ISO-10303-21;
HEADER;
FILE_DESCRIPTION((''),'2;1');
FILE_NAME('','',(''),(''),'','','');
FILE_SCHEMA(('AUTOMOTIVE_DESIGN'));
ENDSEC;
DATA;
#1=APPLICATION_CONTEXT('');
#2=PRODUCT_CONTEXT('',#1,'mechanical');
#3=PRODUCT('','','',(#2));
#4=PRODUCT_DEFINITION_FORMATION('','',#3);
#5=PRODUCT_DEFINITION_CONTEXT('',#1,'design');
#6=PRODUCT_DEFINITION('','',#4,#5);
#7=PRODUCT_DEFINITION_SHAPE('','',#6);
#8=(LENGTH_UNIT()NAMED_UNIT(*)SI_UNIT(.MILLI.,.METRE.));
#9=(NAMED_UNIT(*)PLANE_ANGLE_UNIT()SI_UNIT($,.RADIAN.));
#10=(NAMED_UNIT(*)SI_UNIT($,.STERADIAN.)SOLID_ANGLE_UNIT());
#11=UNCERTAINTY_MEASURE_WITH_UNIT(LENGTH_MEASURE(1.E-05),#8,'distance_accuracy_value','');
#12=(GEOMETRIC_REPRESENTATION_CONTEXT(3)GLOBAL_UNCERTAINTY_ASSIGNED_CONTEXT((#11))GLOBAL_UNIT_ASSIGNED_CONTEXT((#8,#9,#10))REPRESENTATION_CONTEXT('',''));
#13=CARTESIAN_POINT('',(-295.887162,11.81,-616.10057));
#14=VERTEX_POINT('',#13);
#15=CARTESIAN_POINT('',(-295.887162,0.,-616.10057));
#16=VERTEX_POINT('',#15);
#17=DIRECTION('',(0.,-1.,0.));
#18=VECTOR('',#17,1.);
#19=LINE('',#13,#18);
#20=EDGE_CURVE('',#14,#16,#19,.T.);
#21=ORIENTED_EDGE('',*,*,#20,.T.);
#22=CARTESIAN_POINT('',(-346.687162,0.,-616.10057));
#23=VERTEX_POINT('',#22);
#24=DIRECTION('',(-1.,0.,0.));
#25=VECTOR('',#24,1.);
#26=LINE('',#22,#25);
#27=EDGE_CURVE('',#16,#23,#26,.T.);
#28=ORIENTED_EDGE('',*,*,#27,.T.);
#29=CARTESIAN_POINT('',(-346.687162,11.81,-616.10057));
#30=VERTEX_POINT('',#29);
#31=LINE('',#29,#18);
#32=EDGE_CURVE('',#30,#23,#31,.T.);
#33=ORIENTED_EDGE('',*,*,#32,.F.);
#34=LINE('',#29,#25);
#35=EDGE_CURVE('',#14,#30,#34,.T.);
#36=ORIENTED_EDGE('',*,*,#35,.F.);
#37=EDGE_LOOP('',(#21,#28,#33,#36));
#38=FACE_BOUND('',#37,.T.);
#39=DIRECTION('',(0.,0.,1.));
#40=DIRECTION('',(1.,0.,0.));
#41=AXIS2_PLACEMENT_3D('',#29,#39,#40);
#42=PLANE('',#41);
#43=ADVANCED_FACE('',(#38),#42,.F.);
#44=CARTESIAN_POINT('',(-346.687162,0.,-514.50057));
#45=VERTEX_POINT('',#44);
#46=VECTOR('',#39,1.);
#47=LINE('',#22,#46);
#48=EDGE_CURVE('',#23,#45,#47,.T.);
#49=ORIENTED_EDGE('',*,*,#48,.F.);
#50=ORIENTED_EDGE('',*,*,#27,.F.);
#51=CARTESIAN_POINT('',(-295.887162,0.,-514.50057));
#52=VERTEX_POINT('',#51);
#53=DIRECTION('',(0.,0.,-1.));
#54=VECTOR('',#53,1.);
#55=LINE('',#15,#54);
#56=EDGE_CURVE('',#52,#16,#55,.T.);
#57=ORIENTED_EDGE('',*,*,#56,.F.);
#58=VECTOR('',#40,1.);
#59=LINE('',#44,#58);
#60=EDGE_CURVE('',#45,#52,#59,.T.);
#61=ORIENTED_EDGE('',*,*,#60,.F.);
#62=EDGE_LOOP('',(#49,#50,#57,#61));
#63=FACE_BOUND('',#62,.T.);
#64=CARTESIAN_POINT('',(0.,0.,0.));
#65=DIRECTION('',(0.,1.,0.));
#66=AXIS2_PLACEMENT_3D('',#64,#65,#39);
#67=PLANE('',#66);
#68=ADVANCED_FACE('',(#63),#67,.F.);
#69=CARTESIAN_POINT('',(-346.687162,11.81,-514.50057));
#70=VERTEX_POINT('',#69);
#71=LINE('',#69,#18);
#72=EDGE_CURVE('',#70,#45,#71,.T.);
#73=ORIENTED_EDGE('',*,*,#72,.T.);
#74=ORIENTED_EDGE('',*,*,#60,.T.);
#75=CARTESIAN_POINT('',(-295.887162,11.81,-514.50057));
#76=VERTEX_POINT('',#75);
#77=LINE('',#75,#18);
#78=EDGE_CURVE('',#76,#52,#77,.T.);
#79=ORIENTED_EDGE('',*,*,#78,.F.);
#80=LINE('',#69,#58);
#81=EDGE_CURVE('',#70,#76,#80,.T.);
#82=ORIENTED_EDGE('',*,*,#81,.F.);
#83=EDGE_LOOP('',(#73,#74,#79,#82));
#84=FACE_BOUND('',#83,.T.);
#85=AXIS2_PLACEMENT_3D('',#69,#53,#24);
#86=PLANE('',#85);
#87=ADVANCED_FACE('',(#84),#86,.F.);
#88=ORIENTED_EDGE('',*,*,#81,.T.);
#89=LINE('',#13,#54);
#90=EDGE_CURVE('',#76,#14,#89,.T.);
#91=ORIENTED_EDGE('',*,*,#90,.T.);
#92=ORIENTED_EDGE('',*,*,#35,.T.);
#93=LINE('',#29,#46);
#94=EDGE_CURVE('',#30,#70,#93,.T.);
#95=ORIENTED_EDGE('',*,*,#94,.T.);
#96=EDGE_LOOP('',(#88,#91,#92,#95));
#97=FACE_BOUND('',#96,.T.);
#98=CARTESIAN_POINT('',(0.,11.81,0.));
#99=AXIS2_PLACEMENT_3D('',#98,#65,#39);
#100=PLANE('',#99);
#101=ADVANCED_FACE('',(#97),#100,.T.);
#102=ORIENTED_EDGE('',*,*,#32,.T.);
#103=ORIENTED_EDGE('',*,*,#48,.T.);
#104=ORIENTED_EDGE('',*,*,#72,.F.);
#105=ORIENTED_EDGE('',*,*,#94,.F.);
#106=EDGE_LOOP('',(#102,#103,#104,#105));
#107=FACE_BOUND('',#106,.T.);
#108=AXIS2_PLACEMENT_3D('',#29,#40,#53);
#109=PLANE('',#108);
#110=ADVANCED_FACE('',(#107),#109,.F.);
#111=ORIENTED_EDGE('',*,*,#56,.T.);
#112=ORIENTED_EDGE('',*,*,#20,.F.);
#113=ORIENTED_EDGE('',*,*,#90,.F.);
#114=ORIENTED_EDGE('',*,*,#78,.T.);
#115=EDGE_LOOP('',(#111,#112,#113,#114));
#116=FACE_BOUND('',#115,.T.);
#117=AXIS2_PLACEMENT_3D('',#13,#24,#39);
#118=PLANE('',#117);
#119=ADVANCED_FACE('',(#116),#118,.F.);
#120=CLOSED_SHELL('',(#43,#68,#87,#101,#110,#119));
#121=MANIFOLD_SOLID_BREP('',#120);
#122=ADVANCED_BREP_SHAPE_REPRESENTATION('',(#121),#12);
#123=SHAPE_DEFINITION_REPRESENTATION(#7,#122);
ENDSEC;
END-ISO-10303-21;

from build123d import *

# Parameters (mm, degrees)
BASE_SKETCH_W       = 50.8
BASE_SKETCH_H       = 101.6
BOSS_EXTRUDE1_DEPTH = 11.81


with BuildPart() as part:
    # Base_Sketch → Boss-Extrude1 (new body)
    with BuildSketch(Plane(origin=(0, 0, 0), x_dir=(1, 0, 0), z_dir=(0, 1, 0))):
        with Locations((-321.287161947, 565.300570036)):
            Rectangle(BASE_SKETCH_W, BASE_SKETCH_H)
    extrude(amount=BOSS_EXTRUDE1_DEPTH)


solid = part.part
